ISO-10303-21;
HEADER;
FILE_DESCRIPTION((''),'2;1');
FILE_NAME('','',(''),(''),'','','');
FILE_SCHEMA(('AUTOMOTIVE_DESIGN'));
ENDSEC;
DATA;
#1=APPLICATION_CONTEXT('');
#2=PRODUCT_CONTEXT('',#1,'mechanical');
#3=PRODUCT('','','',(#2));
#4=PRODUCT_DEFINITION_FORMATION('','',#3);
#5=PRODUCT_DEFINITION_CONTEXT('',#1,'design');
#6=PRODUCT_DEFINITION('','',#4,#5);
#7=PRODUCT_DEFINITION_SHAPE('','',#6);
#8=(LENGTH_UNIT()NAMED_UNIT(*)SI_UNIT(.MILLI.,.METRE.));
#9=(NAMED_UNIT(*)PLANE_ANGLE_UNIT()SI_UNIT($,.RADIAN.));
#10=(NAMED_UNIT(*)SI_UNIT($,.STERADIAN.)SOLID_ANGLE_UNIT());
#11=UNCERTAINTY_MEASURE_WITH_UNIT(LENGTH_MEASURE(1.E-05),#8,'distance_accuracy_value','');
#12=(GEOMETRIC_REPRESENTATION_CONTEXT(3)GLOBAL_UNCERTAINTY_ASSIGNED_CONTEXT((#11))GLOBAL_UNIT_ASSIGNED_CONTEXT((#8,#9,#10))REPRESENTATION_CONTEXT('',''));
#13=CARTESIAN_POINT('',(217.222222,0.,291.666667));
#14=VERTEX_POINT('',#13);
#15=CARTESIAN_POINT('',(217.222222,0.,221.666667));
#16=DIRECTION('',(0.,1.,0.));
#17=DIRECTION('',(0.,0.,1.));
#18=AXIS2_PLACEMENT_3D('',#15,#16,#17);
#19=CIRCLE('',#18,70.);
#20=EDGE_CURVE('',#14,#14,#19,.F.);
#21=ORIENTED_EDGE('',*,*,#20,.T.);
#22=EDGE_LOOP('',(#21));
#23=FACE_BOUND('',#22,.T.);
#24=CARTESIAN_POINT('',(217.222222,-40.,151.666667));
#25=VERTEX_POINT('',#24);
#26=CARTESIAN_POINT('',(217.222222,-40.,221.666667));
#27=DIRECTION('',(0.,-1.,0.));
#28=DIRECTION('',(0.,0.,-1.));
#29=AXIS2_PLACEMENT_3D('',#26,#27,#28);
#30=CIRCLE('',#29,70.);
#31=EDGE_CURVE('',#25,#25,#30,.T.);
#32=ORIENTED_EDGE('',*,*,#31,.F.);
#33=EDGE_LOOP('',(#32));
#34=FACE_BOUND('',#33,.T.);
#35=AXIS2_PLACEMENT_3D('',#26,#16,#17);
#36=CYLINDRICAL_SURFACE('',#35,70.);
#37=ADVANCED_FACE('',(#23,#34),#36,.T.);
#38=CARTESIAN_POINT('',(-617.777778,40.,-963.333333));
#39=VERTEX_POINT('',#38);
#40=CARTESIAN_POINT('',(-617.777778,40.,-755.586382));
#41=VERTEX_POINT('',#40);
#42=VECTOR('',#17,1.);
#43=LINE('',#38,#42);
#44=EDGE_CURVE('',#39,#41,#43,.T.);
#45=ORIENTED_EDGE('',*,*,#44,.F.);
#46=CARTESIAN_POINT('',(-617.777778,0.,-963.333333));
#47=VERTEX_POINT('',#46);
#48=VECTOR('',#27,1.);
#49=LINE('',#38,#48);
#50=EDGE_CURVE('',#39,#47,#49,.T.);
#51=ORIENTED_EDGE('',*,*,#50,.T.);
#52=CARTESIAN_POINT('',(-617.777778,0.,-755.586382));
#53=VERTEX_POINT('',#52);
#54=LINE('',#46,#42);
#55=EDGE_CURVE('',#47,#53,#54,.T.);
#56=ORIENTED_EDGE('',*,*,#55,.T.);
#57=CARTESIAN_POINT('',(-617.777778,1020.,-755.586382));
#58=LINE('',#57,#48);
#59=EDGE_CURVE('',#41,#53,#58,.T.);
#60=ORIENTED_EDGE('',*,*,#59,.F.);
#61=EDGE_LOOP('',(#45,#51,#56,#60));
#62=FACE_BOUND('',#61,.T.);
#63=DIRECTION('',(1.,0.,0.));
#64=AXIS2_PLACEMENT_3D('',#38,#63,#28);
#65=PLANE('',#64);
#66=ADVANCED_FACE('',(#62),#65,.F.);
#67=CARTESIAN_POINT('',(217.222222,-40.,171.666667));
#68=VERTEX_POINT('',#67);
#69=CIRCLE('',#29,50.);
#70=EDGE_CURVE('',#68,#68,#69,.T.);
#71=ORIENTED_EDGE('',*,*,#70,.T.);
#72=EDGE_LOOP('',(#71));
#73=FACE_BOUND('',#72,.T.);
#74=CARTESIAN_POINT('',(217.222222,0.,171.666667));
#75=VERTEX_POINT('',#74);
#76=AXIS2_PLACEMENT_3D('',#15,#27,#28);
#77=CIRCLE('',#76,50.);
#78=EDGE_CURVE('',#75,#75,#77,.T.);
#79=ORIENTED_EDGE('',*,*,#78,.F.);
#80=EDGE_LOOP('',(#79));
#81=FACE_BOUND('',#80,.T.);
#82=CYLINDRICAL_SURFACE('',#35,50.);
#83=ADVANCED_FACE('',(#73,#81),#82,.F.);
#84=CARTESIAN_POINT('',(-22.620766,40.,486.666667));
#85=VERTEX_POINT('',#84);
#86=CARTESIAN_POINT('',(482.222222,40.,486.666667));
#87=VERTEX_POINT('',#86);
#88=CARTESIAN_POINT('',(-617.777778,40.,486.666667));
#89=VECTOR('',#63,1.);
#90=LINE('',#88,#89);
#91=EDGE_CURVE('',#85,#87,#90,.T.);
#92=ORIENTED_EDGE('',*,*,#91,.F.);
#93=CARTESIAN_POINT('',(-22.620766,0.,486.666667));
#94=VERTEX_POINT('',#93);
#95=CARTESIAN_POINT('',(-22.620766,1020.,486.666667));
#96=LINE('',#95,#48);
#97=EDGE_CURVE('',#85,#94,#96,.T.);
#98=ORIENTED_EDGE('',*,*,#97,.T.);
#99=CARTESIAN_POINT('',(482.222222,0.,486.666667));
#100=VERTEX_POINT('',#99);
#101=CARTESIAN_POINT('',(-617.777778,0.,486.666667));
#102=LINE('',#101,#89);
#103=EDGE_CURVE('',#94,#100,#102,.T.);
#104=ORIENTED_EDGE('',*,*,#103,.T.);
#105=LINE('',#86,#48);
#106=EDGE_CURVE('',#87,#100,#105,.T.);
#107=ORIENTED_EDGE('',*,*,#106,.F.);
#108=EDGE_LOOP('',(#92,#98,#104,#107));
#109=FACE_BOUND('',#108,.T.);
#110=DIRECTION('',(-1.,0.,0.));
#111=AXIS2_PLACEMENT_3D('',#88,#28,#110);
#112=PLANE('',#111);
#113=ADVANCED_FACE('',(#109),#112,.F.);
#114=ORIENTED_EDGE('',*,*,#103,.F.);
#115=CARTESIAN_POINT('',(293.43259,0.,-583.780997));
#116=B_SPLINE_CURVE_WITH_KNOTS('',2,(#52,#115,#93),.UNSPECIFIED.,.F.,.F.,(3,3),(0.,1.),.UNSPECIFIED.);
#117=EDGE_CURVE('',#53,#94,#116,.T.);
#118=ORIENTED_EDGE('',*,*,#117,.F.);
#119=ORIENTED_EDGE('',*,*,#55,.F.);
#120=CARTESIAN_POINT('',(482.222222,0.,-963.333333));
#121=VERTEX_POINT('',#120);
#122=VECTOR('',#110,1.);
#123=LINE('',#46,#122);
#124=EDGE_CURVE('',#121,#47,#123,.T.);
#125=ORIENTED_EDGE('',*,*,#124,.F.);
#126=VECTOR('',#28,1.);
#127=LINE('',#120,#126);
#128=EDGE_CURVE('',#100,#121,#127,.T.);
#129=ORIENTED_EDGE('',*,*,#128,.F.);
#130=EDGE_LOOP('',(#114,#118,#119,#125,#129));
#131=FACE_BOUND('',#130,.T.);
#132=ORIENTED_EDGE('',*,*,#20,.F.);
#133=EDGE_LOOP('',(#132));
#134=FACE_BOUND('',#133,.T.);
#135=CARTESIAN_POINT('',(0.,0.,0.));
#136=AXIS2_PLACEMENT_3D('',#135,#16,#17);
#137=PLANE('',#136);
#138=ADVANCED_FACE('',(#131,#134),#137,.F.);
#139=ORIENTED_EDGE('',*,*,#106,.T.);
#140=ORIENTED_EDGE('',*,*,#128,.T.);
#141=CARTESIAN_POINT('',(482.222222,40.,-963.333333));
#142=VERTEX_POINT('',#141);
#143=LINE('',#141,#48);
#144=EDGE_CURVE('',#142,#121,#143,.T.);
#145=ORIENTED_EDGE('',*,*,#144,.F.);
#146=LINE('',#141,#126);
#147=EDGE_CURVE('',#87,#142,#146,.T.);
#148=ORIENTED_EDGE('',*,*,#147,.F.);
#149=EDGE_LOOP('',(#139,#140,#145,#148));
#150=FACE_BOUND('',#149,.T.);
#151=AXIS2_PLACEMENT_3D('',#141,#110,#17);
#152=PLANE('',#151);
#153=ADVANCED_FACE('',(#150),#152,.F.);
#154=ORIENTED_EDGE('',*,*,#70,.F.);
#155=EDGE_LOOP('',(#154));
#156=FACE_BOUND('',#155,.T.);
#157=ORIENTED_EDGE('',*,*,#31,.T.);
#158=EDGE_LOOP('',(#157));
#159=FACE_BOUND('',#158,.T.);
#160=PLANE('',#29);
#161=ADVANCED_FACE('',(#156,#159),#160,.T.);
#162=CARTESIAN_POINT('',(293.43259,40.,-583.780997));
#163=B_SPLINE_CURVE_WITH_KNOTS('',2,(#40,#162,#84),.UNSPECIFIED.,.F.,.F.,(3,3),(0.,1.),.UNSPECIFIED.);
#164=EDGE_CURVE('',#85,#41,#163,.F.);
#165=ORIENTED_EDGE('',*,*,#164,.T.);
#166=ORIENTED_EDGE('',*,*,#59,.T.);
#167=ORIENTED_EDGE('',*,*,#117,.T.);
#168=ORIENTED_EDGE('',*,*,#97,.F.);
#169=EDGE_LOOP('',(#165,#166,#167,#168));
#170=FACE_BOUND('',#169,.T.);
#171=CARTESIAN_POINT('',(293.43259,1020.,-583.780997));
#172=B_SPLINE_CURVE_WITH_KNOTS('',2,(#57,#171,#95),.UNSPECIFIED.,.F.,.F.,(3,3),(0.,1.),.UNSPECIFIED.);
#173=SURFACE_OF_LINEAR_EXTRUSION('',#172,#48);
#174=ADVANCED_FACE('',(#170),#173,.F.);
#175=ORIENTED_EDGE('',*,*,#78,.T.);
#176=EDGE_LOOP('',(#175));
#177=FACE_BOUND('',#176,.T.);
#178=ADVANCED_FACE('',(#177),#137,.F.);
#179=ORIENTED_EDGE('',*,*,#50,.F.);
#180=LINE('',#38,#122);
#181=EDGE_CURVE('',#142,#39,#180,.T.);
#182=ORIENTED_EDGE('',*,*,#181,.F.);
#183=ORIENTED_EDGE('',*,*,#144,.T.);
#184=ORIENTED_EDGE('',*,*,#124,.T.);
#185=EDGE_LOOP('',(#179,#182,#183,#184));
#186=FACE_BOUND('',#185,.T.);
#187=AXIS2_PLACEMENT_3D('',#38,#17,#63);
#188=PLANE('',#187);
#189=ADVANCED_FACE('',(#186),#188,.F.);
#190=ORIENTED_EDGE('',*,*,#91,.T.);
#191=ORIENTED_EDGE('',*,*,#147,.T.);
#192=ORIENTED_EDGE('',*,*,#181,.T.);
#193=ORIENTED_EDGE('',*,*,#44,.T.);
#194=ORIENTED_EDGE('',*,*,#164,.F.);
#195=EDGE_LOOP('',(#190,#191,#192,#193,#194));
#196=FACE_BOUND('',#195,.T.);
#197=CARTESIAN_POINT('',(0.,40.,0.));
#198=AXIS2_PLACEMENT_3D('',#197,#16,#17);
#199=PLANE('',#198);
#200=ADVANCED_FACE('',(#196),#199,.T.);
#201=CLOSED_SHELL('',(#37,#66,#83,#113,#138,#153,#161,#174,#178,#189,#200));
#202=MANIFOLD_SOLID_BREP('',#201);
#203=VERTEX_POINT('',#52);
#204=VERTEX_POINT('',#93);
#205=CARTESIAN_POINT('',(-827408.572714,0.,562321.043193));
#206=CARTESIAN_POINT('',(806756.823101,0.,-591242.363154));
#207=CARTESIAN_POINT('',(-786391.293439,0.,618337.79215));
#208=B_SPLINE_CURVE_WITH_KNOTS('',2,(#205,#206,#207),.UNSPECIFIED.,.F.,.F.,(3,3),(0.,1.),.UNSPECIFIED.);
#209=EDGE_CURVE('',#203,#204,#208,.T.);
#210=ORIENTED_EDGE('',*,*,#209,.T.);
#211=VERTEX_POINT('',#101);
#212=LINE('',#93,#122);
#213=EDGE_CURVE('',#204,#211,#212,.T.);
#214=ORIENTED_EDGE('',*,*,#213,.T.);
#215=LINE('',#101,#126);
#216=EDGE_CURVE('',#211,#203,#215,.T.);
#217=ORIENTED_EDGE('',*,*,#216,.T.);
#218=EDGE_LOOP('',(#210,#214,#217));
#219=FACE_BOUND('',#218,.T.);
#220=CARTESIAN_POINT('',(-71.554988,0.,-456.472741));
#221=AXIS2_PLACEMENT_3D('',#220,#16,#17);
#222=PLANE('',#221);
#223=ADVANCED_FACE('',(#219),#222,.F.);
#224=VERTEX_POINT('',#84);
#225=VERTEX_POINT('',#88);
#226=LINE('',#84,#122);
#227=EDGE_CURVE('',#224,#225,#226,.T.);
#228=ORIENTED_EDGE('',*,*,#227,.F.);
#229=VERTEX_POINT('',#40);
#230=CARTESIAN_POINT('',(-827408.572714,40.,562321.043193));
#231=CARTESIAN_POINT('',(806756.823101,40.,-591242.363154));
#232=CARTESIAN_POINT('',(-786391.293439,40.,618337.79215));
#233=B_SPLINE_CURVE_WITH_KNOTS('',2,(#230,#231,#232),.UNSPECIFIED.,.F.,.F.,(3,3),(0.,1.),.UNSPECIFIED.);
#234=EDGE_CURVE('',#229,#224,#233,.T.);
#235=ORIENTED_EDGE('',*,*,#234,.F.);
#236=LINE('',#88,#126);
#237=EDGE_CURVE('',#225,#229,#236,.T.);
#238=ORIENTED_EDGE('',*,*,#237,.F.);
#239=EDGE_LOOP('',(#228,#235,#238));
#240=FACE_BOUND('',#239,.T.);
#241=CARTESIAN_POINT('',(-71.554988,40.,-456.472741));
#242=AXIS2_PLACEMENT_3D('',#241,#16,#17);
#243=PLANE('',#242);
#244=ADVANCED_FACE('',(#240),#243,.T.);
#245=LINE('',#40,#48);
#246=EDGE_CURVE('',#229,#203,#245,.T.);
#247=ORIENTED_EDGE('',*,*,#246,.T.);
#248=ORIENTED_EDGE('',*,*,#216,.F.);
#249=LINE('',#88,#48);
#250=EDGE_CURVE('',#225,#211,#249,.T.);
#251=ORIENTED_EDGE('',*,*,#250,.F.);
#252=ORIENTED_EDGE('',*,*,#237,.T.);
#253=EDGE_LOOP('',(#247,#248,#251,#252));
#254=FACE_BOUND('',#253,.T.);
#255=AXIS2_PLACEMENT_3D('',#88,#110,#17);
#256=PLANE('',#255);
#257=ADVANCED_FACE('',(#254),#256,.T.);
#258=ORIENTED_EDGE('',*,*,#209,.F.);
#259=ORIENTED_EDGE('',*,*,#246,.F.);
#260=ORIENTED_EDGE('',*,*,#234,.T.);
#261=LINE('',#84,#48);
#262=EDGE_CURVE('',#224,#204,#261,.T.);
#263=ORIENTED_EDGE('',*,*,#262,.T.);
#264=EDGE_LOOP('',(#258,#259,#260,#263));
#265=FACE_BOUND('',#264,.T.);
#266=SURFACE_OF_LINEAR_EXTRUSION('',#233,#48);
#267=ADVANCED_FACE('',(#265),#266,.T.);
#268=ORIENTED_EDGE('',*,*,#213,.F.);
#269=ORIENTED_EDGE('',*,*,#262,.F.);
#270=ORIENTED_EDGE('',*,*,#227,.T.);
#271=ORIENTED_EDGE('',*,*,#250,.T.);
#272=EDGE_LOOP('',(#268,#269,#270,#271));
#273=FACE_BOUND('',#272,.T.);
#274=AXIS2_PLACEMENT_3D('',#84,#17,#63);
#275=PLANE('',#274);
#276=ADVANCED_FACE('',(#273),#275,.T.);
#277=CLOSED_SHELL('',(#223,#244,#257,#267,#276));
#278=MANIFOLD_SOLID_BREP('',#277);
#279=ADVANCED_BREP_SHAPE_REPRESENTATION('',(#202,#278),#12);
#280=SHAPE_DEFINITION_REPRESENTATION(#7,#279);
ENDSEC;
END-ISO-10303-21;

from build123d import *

# Parameters (mm, degrees)
SKETCH1_W           = 1100
SKETCH1_H           = 1450
BOSS_EXTRUDE1_DEPTH = 40
SKETCH2_R           = 70
SKETCH2_R_2         = 50
BOSS_EXTRUDE2_DEPTH = 40
CUT_EXTRUDE1_DEPTH  = 1020
BOSS_EXTRUDE3_DEPTH = 40


with BuildPart() as part:
    # Sketch1 → Boss-Extrude1 (new body)
    with BuildSketch(Plane(origin=(0, 0, 0), x_dir=(1, 0, 0), z_dir=(0, 1, 0))):
        with Locations((-67.777777778, 238.333333333)):
            Rectangle(SKETCH1_W, SKETCH1_H)
    extrude(amount=BOSS_EXTRUDE1_DEPTH)

    # Sketch2 → Boss-Extrude2 (add)
    with BuildSketch(Plane.XZ):
        with Locations(Location((217.222222222, 221.666666667, 0), (0, 0, 90))):
            Circle(SKETCH2_R)
        with Locations(Location((217.222222222, 221.666666667, 0), (0, 0, 270))):
            Circle(SKETCH2_R_2, mode=Mode.SUBTRACT)
    extrude(amount=BOSS_EXTRUDE2_DEPTH)

    # Sketch6 → Cut-Extrude1 (cut)
    with BuildSketch(Plane.XZ):
        with BuildLine():
            Line((-617.777777778, -238.333333333), (-617.777777778, -755.586382029))
            add(Edge.make_bspline(
                [(-22.62076559, 486.666666667), (293.432590218, -583.780996804), (-617.777777778, -755.586382029)],
                knots=[0, 0, 0, 1, 1, 1], degree=2))
            Line((-22.62076559, 486.666666667), (-617.777777778, 486.666666667))
            Line((-617.777777778, 486.666666667), (-617.777777778, -238.333333333))
        make_face()
    extrude(amount=-CUT_EXTRUDE1_DEPTH, mode=Mode.SUBTRACT)


with BuildPart() as body_2:
    # Sketch8 → Boss-Extrude3 (new body)
    with BuildSketch(Plane.XZ):
        with BuildLine():
            Line((-22.62076559, 486.666666666), (-617.777777778, 486.666666667))
            Line((-617.777777778, 486.666666667), (-617.777777777, -755.586382029))
            add(Edge.make_bspline(
                [(-617.777777777, -755.586382029), (293.432590218, -583.780996804), (-22.62076559, 486.666666666)],
                knots=[0, 0, 0, 1, 1, 1], degree=2))
        make_face()
    extrude(amount=-BOSS_EXTRUDE3_DEPTH)


solid = Compound([part.part, body_2.part])
